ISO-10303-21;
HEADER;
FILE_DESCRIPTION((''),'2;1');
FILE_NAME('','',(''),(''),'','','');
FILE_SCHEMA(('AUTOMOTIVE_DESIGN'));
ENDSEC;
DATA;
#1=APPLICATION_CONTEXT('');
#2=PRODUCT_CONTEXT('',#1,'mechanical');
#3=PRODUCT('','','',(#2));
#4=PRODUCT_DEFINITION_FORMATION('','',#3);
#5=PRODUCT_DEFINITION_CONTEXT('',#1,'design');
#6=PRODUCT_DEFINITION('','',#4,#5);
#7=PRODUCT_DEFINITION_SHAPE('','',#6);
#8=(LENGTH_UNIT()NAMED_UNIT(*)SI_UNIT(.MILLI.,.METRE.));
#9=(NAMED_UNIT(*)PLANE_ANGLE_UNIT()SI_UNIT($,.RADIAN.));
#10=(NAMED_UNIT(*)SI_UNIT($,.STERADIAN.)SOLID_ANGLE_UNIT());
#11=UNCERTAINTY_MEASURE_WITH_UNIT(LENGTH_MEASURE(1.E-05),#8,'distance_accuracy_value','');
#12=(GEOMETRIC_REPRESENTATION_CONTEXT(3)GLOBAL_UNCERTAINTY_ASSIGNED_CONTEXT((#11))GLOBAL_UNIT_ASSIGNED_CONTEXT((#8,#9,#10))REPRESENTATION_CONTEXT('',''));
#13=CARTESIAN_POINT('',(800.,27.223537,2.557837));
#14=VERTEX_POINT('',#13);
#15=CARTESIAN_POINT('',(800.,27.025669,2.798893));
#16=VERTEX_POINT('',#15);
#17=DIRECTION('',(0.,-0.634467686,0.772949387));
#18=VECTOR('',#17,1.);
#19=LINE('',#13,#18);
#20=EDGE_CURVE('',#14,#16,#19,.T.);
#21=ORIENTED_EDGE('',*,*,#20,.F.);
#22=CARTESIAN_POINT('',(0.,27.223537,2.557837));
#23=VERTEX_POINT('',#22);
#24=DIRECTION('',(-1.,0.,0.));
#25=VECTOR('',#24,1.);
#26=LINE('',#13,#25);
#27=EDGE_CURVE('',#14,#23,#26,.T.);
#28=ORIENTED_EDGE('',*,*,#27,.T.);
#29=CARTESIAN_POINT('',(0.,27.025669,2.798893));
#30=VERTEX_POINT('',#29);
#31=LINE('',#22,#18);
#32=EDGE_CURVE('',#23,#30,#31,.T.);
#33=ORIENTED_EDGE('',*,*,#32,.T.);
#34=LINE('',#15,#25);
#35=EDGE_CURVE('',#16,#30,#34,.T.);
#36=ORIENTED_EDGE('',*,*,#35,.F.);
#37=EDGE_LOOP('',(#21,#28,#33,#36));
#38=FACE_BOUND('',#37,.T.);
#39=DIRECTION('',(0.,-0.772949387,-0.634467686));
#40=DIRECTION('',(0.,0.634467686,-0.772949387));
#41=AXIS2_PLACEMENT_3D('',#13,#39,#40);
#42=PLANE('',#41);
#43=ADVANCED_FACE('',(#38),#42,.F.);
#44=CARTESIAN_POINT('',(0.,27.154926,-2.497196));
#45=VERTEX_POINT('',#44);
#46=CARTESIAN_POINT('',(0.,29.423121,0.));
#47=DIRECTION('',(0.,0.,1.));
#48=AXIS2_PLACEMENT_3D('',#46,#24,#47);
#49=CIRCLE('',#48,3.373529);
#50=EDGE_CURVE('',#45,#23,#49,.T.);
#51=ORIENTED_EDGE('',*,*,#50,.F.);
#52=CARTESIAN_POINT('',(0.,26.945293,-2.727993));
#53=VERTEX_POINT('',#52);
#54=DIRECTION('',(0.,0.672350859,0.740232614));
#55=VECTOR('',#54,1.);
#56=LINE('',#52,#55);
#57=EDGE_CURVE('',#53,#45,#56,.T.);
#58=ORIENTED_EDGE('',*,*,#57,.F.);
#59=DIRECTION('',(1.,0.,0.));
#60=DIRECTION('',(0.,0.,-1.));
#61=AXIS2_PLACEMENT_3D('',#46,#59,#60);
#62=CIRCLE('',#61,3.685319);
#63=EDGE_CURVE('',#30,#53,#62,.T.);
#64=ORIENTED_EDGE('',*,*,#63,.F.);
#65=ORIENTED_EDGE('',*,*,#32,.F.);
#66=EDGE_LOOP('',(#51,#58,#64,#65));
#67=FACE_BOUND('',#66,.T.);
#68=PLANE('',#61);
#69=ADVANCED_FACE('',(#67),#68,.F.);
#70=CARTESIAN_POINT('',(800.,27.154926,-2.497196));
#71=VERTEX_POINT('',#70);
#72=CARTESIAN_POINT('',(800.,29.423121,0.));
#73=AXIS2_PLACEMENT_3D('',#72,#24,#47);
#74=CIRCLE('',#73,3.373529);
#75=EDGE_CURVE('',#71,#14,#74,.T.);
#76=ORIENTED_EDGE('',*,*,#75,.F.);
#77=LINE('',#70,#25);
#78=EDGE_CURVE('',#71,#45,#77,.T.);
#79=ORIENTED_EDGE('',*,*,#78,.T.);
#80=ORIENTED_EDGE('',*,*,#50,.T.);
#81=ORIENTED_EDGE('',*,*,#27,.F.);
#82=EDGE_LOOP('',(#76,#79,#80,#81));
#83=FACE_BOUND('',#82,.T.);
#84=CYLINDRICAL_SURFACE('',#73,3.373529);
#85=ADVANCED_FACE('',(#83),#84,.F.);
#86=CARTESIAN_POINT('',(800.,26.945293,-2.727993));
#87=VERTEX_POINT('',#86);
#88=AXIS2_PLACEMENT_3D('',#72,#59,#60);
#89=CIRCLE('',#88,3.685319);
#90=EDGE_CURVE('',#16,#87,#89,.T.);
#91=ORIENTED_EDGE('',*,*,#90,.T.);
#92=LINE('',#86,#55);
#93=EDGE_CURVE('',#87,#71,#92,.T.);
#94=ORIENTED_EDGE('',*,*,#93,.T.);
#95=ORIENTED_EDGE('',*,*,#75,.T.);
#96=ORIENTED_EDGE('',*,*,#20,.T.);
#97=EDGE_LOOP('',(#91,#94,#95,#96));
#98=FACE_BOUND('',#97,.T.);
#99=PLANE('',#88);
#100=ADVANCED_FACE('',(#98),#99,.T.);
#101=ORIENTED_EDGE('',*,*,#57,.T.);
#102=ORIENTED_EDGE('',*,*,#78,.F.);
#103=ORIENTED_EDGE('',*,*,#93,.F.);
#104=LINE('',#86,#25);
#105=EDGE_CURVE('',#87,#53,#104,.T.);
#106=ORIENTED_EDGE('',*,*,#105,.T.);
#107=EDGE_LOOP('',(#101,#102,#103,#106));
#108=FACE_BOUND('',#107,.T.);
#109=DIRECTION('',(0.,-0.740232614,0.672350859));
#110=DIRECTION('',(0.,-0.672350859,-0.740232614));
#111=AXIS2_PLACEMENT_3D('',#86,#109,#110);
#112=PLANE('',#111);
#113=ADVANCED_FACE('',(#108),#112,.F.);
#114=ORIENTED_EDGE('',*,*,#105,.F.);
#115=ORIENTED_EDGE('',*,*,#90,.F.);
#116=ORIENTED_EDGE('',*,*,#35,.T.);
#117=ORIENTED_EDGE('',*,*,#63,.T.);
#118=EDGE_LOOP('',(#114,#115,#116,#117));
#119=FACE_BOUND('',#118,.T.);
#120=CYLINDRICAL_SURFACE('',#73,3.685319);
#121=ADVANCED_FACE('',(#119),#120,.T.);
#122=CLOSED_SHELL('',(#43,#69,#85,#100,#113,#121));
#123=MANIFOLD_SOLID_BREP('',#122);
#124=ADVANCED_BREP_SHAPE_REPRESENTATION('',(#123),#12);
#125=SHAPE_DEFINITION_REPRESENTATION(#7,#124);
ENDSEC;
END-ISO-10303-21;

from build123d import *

# Parameters (mm, degrees)
BOSS_EXTRUDE7_DEPTH = 800


with BuildPart() as part:
    # Sketch7 → Boss-Extrude7 (new body)
    with BuildSketch(Plane(origin=(0, 0, 0), x_dir=(0, 0, -1), z_dir=(1, 0, 0))):
        with BuildLine():
            Line((2.727993364, 26.945293334), (2.497196154, 27.154925683))
            ThreePointArc((2.497196154, 27.154925683), (-0.045784316, 26.049902517), (-2.557836818, 27.223537083))
            Line((-2.557836818, 27.223537083), (-2.798892732, 27.025668774))
            ThreePointArc((-2.798892732, 27.025668774), (-0.053588552, 25.738191345), (2.727993364, 26.945293334))
        make_face()
    extrude(amount=BOSS_EXTRUDE7_DEPTH)


solid = part.part
